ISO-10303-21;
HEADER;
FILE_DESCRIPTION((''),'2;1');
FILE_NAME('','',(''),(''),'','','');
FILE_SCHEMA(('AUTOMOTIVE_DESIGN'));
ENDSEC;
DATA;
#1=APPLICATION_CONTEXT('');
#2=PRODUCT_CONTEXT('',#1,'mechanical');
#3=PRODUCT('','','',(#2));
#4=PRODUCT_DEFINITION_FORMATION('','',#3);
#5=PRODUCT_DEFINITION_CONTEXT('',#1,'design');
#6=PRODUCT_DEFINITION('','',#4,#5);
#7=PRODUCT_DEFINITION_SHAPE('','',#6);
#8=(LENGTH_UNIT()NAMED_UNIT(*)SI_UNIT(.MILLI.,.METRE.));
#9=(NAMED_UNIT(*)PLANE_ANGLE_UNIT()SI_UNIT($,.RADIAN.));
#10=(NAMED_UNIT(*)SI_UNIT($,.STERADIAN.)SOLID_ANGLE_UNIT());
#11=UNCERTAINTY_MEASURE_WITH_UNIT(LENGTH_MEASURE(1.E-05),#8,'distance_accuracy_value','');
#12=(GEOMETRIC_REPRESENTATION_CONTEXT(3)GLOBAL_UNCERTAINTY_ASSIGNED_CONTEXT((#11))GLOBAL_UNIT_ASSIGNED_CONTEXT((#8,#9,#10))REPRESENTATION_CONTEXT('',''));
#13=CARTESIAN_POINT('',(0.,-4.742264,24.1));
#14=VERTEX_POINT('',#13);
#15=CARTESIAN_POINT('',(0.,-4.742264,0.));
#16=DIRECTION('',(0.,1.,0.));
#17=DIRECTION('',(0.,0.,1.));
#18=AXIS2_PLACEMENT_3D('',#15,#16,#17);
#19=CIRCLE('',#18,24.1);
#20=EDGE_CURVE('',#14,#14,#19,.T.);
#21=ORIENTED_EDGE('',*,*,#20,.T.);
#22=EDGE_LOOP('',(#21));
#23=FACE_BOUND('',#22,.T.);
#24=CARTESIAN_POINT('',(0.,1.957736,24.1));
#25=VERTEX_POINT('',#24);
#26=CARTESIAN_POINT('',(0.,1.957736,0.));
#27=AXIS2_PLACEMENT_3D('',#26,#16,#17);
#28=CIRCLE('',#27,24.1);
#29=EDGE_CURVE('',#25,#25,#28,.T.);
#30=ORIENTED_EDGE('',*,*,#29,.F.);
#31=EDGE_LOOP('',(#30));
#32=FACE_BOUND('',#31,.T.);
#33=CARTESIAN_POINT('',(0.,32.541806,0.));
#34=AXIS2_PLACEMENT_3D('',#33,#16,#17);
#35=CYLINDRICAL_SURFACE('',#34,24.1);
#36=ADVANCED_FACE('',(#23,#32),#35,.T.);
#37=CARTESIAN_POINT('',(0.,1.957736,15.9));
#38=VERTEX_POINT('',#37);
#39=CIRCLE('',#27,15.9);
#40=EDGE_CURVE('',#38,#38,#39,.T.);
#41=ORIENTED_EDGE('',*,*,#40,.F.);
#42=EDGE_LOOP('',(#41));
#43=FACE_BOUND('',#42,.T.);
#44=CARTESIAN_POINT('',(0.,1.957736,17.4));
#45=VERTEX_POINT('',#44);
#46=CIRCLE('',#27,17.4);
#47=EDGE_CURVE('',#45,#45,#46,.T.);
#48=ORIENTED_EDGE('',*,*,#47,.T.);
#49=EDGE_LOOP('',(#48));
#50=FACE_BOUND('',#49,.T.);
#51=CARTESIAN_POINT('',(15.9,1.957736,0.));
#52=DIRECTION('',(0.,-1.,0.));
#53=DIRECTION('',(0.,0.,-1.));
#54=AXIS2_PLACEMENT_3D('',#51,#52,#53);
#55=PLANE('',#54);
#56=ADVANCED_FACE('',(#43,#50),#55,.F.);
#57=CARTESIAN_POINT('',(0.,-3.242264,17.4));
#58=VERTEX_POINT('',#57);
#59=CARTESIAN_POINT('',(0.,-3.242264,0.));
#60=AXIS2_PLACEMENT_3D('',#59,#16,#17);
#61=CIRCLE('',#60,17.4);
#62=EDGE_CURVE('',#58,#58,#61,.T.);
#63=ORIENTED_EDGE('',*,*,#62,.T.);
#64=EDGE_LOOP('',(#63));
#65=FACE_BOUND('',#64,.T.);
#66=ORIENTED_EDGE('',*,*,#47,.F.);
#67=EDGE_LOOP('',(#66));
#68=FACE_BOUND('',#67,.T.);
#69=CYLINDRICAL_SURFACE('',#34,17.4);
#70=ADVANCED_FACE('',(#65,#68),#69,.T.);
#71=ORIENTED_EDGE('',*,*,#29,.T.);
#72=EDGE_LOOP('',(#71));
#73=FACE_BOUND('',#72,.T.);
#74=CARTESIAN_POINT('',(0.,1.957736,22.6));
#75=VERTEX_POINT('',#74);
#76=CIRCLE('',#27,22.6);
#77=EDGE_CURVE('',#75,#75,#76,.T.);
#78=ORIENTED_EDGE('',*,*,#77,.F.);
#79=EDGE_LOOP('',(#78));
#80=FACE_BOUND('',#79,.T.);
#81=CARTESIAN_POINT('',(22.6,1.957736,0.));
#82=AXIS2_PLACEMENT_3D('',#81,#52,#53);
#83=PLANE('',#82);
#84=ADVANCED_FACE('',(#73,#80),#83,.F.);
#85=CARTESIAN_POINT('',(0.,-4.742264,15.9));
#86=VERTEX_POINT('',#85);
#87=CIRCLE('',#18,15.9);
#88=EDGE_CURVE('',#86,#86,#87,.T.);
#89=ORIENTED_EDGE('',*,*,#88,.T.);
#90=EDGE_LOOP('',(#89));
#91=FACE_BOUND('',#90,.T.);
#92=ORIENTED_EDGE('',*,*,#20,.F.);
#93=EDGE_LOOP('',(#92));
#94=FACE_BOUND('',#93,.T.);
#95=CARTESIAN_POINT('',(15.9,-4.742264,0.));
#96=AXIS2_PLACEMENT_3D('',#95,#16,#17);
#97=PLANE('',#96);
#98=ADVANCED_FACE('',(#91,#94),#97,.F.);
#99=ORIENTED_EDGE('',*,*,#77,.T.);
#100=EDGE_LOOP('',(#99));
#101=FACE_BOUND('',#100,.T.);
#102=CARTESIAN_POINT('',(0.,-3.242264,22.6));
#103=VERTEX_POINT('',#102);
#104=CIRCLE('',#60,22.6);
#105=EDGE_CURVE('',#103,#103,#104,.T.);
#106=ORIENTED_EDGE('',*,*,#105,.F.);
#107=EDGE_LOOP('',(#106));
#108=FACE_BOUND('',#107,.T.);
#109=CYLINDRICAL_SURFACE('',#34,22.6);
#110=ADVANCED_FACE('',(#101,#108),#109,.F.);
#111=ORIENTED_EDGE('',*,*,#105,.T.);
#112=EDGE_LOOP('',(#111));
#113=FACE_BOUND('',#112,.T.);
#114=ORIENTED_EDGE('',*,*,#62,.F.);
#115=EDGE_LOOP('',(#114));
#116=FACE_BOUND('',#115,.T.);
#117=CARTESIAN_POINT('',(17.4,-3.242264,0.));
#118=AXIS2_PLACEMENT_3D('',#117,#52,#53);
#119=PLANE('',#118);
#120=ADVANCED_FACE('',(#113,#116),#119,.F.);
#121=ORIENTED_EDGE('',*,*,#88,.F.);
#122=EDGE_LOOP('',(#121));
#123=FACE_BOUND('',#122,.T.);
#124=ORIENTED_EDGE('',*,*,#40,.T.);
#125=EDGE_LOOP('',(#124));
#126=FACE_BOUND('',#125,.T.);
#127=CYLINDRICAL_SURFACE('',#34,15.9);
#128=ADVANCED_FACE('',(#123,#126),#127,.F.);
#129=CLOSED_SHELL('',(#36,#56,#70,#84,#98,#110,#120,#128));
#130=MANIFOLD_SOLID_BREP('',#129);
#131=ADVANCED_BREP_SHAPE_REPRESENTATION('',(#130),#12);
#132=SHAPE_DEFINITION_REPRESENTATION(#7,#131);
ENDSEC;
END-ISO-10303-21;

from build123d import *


with BuildPart() as part:
    # 草图1 → 旋转1 (revolve)
    with BuildSketch(Plane.XY, mode=Mode.PRIVATE) as revolve_1_sk:
        Polygon((17.4, 1.957736448), (17.4, -3.242263552), (22.6, -3.242263552), (22.6, 1.957736448), (24.1, 1.957736448), (24.1, -4.742263552), (15.9, -4.742263552), (15.9, 1.957736448), align=None)
    revolve(revolve_1_sk.sketch.rotate(Axis((0, 32.54180602, 0), (0, -1, 0)), 90), axis=Axis((0, 32.54180602, 0), (0, -1, 0)))


solid = part.part
